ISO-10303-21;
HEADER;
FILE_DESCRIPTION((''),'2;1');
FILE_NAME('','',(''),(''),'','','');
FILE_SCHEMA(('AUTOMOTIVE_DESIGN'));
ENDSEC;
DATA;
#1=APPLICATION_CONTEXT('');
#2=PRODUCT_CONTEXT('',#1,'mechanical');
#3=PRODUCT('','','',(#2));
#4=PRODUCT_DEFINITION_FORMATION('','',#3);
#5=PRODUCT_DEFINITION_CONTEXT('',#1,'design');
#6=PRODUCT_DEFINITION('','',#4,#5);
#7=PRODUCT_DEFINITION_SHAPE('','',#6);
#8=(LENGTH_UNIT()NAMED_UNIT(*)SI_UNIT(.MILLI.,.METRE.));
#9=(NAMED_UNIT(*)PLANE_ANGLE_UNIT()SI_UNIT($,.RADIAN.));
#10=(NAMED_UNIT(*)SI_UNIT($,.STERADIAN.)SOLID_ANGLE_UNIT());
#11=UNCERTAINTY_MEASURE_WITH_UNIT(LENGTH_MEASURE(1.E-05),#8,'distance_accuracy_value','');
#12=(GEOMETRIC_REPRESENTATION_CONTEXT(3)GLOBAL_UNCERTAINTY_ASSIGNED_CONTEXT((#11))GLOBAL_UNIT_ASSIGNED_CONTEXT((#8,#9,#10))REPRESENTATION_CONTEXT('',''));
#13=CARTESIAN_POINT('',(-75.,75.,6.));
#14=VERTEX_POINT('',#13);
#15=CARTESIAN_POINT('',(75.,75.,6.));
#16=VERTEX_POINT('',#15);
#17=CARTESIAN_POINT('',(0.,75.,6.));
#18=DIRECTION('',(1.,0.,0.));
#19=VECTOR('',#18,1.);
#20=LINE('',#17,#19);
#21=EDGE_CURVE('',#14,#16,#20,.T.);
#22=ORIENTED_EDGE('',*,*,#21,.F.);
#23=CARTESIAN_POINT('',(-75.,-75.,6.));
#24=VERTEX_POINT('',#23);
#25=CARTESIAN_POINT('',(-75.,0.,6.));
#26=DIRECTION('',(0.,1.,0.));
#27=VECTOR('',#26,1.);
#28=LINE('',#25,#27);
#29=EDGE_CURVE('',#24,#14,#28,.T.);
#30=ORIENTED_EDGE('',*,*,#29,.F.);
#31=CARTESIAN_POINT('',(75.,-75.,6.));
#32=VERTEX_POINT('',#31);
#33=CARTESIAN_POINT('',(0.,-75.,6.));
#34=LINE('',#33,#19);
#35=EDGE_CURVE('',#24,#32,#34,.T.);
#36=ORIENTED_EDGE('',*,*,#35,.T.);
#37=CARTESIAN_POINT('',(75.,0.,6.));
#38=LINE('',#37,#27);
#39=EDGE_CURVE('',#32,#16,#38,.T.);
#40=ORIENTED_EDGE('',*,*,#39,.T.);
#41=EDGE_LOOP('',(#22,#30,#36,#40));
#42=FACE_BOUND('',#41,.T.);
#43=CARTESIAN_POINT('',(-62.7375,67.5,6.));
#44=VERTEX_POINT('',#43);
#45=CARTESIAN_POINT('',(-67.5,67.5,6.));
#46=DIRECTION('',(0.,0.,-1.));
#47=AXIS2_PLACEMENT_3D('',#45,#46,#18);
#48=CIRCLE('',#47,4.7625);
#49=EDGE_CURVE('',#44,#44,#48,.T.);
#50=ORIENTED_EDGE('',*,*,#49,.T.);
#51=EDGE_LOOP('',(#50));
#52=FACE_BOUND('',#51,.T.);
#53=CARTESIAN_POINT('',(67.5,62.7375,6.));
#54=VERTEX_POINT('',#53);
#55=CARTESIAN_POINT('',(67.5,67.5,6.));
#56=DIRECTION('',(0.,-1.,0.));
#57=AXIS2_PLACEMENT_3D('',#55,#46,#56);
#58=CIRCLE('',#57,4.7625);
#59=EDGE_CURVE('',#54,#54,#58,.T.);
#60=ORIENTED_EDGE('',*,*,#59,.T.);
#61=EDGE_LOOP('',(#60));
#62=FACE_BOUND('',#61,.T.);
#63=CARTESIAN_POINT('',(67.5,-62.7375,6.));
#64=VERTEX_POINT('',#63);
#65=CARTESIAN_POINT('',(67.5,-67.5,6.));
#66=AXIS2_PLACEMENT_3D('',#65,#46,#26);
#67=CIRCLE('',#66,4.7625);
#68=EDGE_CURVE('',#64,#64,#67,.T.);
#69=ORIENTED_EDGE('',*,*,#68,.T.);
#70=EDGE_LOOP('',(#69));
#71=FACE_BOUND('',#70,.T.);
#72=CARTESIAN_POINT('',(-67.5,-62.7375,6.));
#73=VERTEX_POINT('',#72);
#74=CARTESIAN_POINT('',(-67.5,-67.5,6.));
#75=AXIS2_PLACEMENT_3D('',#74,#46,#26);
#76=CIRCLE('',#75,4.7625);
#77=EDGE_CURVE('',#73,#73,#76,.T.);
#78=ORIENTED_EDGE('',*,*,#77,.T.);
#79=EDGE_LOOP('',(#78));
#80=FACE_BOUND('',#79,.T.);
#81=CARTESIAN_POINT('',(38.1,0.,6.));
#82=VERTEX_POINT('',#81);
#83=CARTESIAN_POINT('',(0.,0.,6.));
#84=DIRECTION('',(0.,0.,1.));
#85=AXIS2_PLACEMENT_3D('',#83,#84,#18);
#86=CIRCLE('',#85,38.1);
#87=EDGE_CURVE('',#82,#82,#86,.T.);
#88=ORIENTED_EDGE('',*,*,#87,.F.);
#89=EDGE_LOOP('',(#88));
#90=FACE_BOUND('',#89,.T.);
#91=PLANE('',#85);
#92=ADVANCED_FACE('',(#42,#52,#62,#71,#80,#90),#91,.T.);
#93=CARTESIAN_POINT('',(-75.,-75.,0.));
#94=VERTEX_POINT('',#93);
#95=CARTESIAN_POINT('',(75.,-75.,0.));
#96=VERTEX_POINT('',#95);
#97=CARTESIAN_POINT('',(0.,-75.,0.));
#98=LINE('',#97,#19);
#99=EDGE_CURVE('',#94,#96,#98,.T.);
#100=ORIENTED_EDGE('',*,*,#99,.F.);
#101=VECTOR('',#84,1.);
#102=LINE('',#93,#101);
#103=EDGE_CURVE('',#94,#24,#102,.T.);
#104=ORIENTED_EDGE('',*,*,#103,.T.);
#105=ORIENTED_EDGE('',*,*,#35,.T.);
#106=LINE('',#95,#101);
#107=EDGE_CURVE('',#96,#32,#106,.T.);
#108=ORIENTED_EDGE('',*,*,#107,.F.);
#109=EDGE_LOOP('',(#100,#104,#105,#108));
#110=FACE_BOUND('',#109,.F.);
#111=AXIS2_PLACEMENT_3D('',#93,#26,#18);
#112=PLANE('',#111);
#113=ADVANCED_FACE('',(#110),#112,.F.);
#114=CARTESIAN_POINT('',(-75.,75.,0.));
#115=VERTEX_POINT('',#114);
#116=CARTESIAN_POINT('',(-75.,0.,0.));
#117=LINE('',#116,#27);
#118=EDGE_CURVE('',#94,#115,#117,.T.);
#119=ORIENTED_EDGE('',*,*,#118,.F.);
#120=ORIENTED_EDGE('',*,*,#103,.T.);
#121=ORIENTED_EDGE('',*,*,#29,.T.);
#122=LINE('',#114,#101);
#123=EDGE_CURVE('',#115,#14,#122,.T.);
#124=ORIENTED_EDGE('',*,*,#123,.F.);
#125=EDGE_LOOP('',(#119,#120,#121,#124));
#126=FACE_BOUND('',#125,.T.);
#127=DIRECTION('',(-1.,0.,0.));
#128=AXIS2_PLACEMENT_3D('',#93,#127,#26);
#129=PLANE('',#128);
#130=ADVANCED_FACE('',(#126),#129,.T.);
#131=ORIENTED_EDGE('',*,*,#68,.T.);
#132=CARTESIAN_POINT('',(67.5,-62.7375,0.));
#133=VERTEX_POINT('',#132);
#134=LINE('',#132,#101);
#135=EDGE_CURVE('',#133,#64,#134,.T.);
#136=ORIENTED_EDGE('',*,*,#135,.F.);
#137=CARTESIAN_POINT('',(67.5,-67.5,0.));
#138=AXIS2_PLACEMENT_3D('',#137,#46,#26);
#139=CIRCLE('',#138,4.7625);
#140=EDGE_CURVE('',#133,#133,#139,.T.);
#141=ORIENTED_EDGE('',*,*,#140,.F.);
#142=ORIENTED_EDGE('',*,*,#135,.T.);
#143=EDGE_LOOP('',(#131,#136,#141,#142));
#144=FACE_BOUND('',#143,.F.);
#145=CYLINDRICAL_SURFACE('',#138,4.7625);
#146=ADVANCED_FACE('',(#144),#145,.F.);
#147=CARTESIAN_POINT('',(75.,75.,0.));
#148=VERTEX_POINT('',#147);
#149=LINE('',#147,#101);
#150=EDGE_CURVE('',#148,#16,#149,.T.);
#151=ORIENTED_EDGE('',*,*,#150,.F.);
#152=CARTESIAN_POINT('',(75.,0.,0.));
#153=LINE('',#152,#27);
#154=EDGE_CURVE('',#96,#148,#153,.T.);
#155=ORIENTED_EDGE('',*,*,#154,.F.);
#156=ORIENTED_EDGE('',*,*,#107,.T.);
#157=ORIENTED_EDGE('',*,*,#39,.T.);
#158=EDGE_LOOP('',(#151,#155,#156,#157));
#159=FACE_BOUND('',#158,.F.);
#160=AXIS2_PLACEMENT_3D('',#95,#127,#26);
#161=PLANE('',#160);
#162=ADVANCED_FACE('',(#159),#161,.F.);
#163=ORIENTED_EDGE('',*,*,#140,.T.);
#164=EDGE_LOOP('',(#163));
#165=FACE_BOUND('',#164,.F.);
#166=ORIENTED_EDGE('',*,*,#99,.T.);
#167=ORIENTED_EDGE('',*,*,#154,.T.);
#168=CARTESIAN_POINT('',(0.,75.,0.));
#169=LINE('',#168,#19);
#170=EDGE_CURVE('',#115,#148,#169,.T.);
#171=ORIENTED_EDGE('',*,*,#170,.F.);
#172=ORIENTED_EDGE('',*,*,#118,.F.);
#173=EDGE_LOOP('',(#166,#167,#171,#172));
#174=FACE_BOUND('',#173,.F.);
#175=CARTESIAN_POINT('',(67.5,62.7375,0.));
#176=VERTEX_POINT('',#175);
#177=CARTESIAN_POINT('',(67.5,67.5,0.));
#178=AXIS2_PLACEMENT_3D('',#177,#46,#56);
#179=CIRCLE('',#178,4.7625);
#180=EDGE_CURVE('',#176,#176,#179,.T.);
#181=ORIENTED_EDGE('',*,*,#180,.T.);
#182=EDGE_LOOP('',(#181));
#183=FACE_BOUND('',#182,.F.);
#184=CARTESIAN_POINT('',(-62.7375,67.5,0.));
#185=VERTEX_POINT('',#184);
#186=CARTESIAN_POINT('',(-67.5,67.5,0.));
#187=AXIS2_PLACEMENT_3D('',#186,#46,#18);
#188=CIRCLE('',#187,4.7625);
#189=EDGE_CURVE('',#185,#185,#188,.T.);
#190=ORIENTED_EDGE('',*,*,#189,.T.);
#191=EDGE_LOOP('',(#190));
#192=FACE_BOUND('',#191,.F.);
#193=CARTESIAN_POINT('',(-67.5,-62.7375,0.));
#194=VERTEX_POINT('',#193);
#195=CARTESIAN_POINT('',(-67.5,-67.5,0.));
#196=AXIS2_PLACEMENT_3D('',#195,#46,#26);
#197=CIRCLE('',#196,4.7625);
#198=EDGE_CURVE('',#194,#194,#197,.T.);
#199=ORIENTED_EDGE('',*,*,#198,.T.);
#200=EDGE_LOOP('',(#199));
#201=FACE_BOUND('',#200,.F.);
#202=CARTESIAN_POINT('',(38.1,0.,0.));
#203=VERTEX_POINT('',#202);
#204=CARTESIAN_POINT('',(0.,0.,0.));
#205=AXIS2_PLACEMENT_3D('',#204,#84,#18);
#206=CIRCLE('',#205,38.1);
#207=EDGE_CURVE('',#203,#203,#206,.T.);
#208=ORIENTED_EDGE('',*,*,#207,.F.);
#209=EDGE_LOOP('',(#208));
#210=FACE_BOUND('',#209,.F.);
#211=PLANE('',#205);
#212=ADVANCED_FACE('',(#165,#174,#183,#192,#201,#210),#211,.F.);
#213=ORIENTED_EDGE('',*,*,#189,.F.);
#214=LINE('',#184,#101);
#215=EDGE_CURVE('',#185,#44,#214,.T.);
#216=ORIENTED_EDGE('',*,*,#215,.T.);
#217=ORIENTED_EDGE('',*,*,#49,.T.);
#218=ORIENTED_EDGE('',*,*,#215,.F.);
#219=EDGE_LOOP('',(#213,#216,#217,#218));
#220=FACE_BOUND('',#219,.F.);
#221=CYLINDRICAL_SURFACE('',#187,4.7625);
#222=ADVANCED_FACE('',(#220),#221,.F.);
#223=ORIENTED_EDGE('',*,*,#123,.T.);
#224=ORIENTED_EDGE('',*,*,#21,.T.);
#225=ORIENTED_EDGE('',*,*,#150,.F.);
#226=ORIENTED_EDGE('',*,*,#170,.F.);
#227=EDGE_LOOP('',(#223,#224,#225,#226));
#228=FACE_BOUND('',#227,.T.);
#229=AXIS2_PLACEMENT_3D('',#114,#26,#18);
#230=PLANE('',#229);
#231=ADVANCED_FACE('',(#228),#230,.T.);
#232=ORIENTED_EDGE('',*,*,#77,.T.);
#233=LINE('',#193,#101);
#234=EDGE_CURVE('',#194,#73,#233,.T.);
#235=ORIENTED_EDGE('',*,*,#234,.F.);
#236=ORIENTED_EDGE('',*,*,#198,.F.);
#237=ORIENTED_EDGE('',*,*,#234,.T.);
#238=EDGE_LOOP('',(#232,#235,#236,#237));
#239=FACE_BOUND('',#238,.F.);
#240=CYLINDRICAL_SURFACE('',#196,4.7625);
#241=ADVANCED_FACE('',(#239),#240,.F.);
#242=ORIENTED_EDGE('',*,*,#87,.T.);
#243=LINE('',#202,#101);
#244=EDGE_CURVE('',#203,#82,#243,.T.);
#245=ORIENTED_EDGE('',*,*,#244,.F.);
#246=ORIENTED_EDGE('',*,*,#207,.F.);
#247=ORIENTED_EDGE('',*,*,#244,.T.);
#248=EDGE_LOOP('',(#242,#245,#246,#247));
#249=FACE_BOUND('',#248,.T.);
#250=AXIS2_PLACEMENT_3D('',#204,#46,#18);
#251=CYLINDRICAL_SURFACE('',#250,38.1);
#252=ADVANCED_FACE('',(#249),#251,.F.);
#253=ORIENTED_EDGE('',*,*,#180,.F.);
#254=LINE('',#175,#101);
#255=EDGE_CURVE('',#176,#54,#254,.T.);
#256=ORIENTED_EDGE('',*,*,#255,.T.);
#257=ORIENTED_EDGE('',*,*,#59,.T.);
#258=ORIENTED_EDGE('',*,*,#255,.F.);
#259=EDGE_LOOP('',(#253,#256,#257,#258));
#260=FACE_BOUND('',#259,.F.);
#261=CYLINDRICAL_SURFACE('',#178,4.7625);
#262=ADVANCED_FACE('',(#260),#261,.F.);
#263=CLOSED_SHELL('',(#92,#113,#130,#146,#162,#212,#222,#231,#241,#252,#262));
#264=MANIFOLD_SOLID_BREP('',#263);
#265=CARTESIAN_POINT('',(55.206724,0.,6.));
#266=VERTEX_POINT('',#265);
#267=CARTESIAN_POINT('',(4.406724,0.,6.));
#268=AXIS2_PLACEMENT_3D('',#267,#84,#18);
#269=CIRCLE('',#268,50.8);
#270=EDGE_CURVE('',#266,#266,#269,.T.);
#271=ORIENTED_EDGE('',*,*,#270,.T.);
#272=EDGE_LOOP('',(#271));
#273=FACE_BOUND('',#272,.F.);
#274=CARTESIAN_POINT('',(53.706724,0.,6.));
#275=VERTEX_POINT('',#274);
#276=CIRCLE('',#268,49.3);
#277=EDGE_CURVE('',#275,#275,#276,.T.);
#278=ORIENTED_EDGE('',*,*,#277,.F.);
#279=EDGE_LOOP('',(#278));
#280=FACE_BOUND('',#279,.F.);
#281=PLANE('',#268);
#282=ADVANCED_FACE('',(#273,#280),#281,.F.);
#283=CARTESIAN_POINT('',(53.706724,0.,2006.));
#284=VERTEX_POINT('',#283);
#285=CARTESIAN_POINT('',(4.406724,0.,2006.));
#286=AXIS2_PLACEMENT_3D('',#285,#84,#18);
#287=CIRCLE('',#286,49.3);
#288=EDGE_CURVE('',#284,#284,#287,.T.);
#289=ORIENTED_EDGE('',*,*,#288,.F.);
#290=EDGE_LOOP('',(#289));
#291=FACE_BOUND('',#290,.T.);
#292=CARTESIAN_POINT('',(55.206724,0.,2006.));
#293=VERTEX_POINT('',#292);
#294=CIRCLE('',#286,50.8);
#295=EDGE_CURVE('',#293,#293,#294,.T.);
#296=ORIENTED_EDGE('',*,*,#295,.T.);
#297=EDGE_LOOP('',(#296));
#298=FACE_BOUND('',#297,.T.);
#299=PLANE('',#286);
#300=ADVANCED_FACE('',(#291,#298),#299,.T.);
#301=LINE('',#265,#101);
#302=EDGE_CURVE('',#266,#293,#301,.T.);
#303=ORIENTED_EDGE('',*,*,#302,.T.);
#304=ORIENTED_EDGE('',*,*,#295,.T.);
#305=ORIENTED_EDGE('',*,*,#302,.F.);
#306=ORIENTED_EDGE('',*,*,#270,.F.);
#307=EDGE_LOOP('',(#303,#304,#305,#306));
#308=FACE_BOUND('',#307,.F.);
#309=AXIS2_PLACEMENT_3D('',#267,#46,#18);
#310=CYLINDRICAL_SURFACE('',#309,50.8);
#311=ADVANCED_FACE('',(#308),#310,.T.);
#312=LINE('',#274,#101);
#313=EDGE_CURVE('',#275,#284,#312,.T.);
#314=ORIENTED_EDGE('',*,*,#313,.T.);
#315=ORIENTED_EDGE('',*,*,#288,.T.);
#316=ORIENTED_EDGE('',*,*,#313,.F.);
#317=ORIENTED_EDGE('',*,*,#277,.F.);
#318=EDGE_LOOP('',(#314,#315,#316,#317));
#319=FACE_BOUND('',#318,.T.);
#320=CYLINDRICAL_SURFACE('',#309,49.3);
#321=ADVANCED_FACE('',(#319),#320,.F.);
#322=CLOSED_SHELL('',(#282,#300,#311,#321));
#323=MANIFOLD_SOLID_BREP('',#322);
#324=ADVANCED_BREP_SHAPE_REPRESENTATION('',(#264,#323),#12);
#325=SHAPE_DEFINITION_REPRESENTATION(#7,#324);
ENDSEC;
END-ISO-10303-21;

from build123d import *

# Parameters (mm, degrees)
F0_W     = 150
F0_H     = 150
F0_R     = 38.1
F1_DEPTH = 6
F0_R_2   = 4.7625
F2_R     = 50.8
F2_R_2   = 49.3
F4_DEPTH = 2000


with BuildPart() as f1:
    # F0 (on Top) → F1 (new body)
    with BuildSketch(Plane.XY):
        Rectangle(F0_W, F0_H)
        with BuildLine():
            Line((62.7375, -67.5), (-62.7375, -67.5))
            ThreePointArc((-62.7375, -67.5), (-70.8675960454, -70.8675960454), (-67.5, -62.7375))
            Line((-67.5, -62.7375), (-67.5, 62.7375))
            ThreePointArc((-67.5, 62.7375), (-70.8675960454, 70.8675960454), (-62.7375, 67.5))
            Line((-62.7375, 67.5), (62.7375, 67.5))
            ThreePointArc((62.7375, 67.5), (67.5, 72.2625), (72.2625, 67.5))
            ThreePointArc((72.2625, 67.5), (70.8675960454, 64.1324039546), (67.5, 62.7375))
            Line((67.5, 62.7375), (67.5, -62.7375))
            ThreePointArc((67.5, -62.7375), (70.8675960454, -64.1324039546), (72.2625, -67.5))
            ThreePointArc((72.2625, -67.5), (67.5, -72.2625), (62.7375, -67.5))
        make_face(mode=Mode.SUBTRACT)
        with BuildLine():
            ThreePointArc((-67.5, -62.7375), (-64.1324039546, -64.1324039546), (-62.7375, -67.5))
            Line((-62.7375, -67.5), (62.7375, -67.5))
            ThreePointArc((62.7375, -67.5), (64.1324039546, -64.1324039546), (67.5, -62.7375))
            Line((67.5, -62.7375), (67.5, 62.7375))
            ThreePointArc((67.5, 62.7375), (64.1324039546, 64.1324039546), (62.7375, 67.5))
            Line((62.7375, 67.5), (-62.7375, 67.5))
            ThreePointArc((-62.7375, 67.5), (-64.1324039546, 64.1324039546), (-67.5, 62.7375))
            Line((-67.5, 62.7375), (-67.5, -62.7375))
        make_face()
        Circle(F0_R, mode=Mode.SUBTRACT)
    extrude(amount=F1_DEPTH)


with BuildPart() as f1b:
    # F0 (on Top) → F1, piece 2 (new body)
    with BuildSketch(Plane.XY):
        with Locations((202.5, -67.5)):
            Circle(F0_R_2)
    extrude(amount=F1_DEPTH)


with BuildPart() as f4:
    # F2 (on face) → F4 (new body)
    with BuildSketch(Plane.XY.offset(6)):
        with Locations((4.4067243471, 0)):
            Circle(F2_R)
        with Locations((4.4067243471, 0)):
            Circle(F2_R_2, mode=Mode.SUBTRACT)
    extrude(amount=F4_DEPTH)


solid = Compound([f1.part, f4.part])
